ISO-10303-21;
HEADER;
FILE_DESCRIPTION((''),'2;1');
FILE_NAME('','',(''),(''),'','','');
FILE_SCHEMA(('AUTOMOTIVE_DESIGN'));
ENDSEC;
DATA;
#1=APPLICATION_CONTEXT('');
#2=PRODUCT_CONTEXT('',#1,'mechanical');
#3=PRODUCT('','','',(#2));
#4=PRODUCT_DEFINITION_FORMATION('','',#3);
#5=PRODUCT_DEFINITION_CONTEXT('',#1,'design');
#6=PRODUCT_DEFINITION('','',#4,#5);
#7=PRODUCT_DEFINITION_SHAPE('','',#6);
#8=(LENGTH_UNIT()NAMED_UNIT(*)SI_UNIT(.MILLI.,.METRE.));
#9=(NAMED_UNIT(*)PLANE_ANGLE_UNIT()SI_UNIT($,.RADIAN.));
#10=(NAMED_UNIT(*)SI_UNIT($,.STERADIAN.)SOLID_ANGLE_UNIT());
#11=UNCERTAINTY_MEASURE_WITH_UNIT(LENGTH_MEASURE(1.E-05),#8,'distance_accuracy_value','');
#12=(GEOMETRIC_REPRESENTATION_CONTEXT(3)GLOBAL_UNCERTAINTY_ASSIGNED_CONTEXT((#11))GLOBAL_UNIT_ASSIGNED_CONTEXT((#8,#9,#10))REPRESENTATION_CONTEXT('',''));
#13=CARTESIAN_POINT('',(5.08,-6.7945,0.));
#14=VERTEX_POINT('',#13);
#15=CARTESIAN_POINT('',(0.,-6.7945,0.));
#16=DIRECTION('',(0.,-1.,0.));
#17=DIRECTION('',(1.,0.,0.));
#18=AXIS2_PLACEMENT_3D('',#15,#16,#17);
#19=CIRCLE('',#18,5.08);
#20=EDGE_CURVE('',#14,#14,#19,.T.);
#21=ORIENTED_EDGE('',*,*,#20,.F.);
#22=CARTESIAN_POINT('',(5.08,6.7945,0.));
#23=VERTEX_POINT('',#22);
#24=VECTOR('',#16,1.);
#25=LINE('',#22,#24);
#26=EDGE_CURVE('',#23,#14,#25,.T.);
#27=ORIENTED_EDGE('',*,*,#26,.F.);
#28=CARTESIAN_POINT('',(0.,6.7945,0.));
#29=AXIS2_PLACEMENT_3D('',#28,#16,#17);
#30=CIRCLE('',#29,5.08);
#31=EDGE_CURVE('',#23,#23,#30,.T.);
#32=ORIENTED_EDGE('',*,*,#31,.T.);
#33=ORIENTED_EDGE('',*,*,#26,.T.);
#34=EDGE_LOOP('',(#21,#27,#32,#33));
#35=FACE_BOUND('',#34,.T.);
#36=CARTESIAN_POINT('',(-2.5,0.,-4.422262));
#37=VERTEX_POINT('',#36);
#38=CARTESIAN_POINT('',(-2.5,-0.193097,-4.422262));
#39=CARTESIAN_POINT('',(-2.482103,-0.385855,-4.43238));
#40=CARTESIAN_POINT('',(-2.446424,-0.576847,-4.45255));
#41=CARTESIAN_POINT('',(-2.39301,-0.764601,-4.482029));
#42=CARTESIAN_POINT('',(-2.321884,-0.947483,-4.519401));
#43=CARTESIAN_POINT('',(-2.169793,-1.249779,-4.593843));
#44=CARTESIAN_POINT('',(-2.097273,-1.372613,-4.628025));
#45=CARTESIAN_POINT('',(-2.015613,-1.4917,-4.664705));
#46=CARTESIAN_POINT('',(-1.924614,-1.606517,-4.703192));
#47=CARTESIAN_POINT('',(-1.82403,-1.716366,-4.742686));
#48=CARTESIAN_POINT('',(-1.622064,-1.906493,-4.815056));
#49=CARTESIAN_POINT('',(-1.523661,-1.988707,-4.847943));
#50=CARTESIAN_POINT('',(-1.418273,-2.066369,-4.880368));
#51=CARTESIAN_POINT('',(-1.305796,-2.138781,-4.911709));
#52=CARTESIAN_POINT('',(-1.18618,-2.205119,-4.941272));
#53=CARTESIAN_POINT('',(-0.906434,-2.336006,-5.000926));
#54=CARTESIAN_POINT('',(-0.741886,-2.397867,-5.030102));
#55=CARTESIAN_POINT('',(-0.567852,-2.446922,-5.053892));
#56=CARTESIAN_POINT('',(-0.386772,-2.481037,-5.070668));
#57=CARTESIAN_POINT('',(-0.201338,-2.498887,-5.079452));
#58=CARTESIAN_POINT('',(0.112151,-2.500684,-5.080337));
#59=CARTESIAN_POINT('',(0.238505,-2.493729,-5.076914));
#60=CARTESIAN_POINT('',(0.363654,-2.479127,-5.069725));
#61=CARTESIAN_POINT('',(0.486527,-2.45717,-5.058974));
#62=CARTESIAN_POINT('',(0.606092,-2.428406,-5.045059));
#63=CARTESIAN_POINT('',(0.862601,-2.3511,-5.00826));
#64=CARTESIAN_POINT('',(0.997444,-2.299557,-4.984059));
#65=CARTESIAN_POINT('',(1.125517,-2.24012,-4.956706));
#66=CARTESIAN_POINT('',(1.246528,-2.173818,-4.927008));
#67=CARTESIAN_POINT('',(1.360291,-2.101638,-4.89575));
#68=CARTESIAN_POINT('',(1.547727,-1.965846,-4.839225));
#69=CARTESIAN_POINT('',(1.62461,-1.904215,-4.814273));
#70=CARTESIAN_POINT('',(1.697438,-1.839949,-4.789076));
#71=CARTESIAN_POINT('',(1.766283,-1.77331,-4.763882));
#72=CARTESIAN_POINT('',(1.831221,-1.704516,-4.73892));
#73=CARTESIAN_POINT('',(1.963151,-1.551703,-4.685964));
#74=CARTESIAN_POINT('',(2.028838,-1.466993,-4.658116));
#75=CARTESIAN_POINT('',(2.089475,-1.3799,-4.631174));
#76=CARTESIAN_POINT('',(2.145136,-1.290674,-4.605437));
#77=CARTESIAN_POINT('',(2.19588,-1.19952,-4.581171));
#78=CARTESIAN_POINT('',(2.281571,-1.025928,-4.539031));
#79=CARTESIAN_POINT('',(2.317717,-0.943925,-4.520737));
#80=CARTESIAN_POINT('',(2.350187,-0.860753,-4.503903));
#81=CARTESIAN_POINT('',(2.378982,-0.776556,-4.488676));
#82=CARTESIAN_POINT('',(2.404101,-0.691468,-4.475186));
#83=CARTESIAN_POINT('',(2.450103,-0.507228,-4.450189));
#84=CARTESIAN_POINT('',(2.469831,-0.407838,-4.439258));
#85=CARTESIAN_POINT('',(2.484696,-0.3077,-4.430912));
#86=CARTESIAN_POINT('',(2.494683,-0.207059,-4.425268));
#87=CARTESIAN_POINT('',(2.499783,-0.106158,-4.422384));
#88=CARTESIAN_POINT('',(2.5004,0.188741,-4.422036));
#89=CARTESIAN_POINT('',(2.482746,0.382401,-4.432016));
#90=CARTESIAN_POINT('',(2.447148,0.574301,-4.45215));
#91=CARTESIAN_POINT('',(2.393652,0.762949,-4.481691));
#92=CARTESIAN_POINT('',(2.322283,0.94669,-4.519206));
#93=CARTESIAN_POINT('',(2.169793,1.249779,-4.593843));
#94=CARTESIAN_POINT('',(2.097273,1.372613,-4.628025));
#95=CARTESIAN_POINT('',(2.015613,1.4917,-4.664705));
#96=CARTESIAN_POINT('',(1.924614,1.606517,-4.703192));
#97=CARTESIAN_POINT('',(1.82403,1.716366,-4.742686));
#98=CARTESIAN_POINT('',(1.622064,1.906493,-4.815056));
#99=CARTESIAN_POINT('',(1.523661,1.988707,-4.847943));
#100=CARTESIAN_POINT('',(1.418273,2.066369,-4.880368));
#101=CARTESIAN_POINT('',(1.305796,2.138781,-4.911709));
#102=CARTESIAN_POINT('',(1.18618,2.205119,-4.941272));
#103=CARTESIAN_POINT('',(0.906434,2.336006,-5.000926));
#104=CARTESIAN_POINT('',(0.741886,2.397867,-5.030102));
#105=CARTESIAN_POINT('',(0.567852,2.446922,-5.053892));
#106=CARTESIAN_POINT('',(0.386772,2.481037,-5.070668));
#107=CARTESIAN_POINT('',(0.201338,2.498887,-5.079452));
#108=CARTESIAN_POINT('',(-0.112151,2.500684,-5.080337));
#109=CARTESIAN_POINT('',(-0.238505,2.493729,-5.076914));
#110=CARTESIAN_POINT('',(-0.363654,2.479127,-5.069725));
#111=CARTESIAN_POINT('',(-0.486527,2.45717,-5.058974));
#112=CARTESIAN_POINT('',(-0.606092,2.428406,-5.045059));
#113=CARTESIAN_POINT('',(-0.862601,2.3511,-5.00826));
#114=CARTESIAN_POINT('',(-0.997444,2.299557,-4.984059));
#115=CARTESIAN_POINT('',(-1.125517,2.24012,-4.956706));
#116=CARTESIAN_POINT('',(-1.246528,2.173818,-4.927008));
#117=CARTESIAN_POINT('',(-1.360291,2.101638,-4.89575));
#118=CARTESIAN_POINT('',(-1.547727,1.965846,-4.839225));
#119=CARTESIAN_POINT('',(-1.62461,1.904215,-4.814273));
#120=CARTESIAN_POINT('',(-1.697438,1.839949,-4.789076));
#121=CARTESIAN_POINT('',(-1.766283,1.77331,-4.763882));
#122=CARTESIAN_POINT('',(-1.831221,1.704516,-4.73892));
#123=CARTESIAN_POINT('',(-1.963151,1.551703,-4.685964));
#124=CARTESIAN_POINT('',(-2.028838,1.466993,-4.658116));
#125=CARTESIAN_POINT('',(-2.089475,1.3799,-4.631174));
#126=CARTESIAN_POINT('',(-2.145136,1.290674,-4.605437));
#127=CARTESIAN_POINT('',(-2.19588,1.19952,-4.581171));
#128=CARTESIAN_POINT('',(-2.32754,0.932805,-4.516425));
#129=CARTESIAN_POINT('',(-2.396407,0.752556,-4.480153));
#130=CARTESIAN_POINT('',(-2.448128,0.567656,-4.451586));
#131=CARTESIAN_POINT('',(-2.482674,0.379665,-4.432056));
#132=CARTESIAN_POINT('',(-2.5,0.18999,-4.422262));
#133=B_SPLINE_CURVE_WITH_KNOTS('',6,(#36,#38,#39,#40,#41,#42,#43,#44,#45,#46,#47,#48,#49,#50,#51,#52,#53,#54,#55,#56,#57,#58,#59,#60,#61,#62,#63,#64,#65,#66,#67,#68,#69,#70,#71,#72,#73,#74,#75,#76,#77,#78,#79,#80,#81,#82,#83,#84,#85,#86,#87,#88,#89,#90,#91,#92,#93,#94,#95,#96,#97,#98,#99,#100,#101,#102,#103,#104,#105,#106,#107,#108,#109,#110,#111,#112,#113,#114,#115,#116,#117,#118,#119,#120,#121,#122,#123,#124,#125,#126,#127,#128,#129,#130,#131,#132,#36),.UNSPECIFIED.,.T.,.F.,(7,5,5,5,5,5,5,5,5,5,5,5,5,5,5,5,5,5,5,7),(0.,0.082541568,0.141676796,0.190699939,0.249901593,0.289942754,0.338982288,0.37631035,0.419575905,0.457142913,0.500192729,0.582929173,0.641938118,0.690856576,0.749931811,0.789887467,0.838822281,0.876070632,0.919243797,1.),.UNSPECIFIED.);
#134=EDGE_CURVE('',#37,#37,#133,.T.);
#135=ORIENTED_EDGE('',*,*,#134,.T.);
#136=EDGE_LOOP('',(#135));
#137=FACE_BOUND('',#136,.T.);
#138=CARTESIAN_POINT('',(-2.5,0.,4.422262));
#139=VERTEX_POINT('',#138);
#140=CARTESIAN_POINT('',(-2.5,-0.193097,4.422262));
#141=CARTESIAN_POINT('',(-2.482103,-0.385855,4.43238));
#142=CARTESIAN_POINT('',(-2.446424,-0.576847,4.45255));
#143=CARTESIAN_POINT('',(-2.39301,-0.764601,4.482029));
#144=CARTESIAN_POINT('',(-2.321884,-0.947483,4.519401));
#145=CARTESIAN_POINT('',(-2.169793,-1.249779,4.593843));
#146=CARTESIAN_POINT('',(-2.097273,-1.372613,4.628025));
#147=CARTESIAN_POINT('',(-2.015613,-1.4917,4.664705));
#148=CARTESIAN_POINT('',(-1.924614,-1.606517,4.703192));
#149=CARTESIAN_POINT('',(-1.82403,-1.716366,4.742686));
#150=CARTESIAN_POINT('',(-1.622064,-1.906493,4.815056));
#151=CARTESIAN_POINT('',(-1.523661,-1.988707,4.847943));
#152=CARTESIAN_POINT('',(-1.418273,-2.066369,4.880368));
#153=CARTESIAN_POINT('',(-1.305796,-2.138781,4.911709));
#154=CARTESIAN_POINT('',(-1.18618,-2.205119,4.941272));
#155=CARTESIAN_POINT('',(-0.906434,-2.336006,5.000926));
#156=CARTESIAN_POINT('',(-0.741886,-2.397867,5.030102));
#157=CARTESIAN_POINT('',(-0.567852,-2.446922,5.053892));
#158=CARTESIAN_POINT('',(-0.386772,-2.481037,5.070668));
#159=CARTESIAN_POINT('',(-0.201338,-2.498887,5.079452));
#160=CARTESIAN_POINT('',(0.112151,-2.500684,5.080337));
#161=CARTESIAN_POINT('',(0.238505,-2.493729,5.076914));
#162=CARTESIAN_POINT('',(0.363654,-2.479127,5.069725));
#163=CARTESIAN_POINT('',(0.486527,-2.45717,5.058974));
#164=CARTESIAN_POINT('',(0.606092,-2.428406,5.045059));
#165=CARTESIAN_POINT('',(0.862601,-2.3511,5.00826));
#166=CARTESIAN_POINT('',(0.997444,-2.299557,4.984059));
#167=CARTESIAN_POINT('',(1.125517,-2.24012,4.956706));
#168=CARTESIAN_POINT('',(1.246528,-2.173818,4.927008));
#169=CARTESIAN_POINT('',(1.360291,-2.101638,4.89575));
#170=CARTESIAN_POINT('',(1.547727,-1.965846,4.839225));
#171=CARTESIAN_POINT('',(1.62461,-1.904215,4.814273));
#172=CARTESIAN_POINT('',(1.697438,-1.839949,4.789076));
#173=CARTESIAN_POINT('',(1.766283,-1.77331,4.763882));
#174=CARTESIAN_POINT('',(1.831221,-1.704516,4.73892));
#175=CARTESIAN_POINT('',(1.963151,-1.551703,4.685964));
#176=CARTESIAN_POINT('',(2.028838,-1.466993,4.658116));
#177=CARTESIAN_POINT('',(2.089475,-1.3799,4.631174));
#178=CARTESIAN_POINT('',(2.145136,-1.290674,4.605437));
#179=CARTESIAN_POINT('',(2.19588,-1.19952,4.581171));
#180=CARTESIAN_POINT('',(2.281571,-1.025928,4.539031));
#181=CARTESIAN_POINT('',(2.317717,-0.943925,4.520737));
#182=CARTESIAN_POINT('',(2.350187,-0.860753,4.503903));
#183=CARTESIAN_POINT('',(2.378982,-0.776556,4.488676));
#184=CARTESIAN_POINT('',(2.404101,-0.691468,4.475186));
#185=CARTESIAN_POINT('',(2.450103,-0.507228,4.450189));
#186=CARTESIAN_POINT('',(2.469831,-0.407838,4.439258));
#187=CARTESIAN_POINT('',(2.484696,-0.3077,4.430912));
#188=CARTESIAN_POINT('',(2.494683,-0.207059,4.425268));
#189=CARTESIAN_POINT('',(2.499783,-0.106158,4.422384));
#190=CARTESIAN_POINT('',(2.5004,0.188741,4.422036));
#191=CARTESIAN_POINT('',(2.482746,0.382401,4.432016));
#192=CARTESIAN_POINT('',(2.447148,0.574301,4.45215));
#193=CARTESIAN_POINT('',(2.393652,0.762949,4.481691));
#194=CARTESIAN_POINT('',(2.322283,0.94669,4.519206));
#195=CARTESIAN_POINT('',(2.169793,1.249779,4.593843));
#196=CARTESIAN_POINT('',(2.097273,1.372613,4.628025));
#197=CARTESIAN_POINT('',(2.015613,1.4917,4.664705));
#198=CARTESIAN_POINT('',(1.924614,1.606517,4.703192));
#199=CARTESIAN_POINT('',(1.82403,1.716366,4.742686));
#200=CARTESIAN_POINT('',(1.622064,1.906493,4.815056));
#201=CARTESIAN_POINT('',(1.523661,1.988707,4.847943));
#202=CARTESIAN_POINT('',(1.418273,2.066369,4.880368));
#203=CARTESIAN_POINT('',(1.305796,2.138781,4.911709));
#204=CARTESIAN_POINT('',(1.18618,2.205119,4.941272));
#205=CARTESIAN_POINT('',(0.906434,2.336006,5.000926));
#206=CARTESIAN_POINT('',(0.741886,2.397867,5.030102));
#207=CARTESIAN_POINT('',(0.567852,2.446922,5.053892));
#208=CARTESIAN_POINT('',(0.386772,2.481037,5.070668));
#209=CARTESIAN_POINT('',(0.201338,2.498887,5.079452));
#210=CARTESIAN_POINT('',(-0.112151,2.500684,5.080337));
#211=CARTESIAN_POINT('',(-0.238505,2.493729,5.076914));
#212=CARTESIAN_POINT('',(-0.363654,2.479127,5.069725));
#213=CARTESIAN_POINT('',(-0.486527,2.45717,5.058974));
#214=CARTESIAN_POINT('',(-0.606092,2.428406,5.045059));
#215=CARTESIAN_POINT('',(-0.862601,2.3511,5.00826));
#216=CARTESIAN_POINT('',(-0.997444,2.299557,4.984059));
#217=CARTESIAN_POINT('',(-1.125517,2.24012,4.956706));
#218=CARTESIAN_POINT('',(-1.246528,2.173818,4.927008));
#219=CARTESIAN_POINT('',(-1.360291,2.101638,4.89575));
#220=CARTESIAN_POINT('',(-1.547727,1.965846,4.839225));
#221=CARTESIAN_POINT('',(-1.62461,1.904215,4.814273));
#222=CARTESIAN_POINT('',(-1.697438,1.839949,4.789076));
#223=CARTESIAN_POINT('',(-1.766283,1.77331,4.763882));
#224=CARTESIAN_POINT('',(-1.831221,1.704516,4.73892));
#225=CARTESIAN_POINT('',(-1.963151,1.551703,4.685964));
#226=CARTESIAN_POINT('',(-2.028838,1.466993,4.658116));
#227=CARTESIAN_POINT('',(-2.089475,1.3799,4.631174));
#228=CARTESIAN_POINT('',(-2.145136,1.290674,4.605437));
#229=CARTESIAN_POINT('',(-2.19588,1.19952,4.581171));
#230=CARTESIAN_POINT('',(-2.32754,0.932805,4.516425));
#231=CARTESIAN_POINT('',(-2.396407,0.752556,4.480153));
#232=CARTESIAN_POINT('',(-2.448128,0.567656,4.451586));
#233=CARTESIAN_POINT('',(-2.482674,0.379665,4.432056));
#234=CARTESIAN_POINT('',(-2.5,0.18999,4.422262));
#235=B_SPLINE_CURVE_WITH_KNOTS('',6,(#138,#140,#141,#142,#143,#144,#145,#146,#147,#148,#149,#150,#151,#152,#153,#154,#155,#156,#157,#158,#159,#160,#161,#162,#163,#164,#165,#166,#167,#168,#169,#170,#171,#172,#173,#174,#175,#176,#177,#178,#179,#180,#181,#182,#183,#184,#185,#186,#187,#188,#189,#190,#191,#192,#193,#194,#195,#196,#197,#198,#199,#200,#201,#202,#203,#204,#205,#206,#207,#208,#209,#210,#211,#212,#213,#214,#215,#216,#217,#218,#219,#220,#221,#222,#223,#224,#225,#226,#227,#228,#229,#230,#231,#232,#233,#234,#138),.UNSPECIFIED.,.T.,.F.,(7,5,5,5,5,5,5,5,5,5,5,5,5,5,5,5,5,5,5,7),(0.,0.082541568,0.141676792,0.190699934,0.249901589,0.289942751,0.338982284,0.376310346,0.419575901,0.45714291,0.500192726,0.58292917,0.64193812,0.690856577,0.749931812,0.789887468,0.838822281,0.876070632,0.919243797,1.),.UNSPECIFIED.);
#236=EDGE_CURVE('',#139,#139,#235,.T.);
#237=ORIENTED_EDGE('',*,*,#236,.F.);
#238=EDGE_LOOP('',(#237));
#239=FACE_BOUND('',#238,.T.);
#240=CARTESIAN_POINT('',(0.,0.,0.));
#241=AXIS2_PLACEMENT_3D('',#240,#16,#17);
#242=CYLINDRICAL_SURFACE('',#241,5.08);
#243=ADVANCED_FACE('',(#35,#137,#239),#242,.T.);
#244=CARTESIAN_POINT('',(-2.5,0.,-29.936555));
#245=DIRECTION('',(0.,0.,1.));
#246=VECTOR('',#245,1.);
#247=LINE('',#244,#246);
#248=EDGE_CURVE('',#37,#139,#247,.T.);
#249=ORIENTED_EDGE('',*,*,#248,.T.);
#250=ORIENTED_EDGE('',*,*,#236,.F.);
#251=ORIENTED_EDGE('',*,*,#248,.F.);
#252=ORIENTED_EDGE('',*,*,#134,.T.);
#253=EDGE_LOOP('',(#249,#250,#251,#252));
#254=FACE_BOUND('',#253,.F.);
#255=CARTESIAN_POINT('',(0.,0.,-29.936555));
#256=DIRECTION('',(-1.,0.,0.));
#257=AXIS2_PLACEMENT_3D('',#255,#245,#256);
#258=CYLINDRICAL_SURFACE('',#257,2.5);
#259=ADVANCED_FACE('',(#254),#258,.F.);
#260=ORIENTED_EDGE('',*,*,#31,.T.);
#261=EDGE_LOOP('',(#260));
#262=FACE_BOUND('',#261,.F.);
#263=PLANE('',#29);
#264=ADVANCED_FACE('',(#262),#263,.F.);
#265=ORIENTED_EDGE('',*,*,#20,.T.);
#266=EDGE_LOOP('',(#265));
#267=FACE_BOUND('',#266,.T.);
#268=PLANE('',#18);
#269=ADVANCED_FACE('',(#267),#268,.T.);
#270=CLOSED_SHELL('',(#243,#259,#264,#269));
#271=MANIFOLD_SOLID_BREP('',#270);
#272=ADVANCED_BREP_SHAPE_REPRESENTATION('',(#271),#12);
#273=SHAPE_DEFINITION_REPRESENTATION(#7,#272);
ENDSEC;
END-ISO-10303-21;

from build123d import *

# Parameters (mm, degrees)
F0_R     = 5.08
F1_DEPTH = 6.7945
F4_D     = 5


with BuildPart() as f1:
    # F0 (on Front) → F1 (new body, symmetric)
    with BuildSketch(Plane.XZ):
        Circle(F0_R)
    extrude(amount=F1_DEPTH, both=True)

    # F4 (through all)
    with Locations(Plane(origin=(0, 0, -10.16), x_dir=(1, 0, 0), z_dir=(0, 0, -1))):
        with Locations((0, 0)):
            Hole(F4_D / 2)


solid = f1.part
